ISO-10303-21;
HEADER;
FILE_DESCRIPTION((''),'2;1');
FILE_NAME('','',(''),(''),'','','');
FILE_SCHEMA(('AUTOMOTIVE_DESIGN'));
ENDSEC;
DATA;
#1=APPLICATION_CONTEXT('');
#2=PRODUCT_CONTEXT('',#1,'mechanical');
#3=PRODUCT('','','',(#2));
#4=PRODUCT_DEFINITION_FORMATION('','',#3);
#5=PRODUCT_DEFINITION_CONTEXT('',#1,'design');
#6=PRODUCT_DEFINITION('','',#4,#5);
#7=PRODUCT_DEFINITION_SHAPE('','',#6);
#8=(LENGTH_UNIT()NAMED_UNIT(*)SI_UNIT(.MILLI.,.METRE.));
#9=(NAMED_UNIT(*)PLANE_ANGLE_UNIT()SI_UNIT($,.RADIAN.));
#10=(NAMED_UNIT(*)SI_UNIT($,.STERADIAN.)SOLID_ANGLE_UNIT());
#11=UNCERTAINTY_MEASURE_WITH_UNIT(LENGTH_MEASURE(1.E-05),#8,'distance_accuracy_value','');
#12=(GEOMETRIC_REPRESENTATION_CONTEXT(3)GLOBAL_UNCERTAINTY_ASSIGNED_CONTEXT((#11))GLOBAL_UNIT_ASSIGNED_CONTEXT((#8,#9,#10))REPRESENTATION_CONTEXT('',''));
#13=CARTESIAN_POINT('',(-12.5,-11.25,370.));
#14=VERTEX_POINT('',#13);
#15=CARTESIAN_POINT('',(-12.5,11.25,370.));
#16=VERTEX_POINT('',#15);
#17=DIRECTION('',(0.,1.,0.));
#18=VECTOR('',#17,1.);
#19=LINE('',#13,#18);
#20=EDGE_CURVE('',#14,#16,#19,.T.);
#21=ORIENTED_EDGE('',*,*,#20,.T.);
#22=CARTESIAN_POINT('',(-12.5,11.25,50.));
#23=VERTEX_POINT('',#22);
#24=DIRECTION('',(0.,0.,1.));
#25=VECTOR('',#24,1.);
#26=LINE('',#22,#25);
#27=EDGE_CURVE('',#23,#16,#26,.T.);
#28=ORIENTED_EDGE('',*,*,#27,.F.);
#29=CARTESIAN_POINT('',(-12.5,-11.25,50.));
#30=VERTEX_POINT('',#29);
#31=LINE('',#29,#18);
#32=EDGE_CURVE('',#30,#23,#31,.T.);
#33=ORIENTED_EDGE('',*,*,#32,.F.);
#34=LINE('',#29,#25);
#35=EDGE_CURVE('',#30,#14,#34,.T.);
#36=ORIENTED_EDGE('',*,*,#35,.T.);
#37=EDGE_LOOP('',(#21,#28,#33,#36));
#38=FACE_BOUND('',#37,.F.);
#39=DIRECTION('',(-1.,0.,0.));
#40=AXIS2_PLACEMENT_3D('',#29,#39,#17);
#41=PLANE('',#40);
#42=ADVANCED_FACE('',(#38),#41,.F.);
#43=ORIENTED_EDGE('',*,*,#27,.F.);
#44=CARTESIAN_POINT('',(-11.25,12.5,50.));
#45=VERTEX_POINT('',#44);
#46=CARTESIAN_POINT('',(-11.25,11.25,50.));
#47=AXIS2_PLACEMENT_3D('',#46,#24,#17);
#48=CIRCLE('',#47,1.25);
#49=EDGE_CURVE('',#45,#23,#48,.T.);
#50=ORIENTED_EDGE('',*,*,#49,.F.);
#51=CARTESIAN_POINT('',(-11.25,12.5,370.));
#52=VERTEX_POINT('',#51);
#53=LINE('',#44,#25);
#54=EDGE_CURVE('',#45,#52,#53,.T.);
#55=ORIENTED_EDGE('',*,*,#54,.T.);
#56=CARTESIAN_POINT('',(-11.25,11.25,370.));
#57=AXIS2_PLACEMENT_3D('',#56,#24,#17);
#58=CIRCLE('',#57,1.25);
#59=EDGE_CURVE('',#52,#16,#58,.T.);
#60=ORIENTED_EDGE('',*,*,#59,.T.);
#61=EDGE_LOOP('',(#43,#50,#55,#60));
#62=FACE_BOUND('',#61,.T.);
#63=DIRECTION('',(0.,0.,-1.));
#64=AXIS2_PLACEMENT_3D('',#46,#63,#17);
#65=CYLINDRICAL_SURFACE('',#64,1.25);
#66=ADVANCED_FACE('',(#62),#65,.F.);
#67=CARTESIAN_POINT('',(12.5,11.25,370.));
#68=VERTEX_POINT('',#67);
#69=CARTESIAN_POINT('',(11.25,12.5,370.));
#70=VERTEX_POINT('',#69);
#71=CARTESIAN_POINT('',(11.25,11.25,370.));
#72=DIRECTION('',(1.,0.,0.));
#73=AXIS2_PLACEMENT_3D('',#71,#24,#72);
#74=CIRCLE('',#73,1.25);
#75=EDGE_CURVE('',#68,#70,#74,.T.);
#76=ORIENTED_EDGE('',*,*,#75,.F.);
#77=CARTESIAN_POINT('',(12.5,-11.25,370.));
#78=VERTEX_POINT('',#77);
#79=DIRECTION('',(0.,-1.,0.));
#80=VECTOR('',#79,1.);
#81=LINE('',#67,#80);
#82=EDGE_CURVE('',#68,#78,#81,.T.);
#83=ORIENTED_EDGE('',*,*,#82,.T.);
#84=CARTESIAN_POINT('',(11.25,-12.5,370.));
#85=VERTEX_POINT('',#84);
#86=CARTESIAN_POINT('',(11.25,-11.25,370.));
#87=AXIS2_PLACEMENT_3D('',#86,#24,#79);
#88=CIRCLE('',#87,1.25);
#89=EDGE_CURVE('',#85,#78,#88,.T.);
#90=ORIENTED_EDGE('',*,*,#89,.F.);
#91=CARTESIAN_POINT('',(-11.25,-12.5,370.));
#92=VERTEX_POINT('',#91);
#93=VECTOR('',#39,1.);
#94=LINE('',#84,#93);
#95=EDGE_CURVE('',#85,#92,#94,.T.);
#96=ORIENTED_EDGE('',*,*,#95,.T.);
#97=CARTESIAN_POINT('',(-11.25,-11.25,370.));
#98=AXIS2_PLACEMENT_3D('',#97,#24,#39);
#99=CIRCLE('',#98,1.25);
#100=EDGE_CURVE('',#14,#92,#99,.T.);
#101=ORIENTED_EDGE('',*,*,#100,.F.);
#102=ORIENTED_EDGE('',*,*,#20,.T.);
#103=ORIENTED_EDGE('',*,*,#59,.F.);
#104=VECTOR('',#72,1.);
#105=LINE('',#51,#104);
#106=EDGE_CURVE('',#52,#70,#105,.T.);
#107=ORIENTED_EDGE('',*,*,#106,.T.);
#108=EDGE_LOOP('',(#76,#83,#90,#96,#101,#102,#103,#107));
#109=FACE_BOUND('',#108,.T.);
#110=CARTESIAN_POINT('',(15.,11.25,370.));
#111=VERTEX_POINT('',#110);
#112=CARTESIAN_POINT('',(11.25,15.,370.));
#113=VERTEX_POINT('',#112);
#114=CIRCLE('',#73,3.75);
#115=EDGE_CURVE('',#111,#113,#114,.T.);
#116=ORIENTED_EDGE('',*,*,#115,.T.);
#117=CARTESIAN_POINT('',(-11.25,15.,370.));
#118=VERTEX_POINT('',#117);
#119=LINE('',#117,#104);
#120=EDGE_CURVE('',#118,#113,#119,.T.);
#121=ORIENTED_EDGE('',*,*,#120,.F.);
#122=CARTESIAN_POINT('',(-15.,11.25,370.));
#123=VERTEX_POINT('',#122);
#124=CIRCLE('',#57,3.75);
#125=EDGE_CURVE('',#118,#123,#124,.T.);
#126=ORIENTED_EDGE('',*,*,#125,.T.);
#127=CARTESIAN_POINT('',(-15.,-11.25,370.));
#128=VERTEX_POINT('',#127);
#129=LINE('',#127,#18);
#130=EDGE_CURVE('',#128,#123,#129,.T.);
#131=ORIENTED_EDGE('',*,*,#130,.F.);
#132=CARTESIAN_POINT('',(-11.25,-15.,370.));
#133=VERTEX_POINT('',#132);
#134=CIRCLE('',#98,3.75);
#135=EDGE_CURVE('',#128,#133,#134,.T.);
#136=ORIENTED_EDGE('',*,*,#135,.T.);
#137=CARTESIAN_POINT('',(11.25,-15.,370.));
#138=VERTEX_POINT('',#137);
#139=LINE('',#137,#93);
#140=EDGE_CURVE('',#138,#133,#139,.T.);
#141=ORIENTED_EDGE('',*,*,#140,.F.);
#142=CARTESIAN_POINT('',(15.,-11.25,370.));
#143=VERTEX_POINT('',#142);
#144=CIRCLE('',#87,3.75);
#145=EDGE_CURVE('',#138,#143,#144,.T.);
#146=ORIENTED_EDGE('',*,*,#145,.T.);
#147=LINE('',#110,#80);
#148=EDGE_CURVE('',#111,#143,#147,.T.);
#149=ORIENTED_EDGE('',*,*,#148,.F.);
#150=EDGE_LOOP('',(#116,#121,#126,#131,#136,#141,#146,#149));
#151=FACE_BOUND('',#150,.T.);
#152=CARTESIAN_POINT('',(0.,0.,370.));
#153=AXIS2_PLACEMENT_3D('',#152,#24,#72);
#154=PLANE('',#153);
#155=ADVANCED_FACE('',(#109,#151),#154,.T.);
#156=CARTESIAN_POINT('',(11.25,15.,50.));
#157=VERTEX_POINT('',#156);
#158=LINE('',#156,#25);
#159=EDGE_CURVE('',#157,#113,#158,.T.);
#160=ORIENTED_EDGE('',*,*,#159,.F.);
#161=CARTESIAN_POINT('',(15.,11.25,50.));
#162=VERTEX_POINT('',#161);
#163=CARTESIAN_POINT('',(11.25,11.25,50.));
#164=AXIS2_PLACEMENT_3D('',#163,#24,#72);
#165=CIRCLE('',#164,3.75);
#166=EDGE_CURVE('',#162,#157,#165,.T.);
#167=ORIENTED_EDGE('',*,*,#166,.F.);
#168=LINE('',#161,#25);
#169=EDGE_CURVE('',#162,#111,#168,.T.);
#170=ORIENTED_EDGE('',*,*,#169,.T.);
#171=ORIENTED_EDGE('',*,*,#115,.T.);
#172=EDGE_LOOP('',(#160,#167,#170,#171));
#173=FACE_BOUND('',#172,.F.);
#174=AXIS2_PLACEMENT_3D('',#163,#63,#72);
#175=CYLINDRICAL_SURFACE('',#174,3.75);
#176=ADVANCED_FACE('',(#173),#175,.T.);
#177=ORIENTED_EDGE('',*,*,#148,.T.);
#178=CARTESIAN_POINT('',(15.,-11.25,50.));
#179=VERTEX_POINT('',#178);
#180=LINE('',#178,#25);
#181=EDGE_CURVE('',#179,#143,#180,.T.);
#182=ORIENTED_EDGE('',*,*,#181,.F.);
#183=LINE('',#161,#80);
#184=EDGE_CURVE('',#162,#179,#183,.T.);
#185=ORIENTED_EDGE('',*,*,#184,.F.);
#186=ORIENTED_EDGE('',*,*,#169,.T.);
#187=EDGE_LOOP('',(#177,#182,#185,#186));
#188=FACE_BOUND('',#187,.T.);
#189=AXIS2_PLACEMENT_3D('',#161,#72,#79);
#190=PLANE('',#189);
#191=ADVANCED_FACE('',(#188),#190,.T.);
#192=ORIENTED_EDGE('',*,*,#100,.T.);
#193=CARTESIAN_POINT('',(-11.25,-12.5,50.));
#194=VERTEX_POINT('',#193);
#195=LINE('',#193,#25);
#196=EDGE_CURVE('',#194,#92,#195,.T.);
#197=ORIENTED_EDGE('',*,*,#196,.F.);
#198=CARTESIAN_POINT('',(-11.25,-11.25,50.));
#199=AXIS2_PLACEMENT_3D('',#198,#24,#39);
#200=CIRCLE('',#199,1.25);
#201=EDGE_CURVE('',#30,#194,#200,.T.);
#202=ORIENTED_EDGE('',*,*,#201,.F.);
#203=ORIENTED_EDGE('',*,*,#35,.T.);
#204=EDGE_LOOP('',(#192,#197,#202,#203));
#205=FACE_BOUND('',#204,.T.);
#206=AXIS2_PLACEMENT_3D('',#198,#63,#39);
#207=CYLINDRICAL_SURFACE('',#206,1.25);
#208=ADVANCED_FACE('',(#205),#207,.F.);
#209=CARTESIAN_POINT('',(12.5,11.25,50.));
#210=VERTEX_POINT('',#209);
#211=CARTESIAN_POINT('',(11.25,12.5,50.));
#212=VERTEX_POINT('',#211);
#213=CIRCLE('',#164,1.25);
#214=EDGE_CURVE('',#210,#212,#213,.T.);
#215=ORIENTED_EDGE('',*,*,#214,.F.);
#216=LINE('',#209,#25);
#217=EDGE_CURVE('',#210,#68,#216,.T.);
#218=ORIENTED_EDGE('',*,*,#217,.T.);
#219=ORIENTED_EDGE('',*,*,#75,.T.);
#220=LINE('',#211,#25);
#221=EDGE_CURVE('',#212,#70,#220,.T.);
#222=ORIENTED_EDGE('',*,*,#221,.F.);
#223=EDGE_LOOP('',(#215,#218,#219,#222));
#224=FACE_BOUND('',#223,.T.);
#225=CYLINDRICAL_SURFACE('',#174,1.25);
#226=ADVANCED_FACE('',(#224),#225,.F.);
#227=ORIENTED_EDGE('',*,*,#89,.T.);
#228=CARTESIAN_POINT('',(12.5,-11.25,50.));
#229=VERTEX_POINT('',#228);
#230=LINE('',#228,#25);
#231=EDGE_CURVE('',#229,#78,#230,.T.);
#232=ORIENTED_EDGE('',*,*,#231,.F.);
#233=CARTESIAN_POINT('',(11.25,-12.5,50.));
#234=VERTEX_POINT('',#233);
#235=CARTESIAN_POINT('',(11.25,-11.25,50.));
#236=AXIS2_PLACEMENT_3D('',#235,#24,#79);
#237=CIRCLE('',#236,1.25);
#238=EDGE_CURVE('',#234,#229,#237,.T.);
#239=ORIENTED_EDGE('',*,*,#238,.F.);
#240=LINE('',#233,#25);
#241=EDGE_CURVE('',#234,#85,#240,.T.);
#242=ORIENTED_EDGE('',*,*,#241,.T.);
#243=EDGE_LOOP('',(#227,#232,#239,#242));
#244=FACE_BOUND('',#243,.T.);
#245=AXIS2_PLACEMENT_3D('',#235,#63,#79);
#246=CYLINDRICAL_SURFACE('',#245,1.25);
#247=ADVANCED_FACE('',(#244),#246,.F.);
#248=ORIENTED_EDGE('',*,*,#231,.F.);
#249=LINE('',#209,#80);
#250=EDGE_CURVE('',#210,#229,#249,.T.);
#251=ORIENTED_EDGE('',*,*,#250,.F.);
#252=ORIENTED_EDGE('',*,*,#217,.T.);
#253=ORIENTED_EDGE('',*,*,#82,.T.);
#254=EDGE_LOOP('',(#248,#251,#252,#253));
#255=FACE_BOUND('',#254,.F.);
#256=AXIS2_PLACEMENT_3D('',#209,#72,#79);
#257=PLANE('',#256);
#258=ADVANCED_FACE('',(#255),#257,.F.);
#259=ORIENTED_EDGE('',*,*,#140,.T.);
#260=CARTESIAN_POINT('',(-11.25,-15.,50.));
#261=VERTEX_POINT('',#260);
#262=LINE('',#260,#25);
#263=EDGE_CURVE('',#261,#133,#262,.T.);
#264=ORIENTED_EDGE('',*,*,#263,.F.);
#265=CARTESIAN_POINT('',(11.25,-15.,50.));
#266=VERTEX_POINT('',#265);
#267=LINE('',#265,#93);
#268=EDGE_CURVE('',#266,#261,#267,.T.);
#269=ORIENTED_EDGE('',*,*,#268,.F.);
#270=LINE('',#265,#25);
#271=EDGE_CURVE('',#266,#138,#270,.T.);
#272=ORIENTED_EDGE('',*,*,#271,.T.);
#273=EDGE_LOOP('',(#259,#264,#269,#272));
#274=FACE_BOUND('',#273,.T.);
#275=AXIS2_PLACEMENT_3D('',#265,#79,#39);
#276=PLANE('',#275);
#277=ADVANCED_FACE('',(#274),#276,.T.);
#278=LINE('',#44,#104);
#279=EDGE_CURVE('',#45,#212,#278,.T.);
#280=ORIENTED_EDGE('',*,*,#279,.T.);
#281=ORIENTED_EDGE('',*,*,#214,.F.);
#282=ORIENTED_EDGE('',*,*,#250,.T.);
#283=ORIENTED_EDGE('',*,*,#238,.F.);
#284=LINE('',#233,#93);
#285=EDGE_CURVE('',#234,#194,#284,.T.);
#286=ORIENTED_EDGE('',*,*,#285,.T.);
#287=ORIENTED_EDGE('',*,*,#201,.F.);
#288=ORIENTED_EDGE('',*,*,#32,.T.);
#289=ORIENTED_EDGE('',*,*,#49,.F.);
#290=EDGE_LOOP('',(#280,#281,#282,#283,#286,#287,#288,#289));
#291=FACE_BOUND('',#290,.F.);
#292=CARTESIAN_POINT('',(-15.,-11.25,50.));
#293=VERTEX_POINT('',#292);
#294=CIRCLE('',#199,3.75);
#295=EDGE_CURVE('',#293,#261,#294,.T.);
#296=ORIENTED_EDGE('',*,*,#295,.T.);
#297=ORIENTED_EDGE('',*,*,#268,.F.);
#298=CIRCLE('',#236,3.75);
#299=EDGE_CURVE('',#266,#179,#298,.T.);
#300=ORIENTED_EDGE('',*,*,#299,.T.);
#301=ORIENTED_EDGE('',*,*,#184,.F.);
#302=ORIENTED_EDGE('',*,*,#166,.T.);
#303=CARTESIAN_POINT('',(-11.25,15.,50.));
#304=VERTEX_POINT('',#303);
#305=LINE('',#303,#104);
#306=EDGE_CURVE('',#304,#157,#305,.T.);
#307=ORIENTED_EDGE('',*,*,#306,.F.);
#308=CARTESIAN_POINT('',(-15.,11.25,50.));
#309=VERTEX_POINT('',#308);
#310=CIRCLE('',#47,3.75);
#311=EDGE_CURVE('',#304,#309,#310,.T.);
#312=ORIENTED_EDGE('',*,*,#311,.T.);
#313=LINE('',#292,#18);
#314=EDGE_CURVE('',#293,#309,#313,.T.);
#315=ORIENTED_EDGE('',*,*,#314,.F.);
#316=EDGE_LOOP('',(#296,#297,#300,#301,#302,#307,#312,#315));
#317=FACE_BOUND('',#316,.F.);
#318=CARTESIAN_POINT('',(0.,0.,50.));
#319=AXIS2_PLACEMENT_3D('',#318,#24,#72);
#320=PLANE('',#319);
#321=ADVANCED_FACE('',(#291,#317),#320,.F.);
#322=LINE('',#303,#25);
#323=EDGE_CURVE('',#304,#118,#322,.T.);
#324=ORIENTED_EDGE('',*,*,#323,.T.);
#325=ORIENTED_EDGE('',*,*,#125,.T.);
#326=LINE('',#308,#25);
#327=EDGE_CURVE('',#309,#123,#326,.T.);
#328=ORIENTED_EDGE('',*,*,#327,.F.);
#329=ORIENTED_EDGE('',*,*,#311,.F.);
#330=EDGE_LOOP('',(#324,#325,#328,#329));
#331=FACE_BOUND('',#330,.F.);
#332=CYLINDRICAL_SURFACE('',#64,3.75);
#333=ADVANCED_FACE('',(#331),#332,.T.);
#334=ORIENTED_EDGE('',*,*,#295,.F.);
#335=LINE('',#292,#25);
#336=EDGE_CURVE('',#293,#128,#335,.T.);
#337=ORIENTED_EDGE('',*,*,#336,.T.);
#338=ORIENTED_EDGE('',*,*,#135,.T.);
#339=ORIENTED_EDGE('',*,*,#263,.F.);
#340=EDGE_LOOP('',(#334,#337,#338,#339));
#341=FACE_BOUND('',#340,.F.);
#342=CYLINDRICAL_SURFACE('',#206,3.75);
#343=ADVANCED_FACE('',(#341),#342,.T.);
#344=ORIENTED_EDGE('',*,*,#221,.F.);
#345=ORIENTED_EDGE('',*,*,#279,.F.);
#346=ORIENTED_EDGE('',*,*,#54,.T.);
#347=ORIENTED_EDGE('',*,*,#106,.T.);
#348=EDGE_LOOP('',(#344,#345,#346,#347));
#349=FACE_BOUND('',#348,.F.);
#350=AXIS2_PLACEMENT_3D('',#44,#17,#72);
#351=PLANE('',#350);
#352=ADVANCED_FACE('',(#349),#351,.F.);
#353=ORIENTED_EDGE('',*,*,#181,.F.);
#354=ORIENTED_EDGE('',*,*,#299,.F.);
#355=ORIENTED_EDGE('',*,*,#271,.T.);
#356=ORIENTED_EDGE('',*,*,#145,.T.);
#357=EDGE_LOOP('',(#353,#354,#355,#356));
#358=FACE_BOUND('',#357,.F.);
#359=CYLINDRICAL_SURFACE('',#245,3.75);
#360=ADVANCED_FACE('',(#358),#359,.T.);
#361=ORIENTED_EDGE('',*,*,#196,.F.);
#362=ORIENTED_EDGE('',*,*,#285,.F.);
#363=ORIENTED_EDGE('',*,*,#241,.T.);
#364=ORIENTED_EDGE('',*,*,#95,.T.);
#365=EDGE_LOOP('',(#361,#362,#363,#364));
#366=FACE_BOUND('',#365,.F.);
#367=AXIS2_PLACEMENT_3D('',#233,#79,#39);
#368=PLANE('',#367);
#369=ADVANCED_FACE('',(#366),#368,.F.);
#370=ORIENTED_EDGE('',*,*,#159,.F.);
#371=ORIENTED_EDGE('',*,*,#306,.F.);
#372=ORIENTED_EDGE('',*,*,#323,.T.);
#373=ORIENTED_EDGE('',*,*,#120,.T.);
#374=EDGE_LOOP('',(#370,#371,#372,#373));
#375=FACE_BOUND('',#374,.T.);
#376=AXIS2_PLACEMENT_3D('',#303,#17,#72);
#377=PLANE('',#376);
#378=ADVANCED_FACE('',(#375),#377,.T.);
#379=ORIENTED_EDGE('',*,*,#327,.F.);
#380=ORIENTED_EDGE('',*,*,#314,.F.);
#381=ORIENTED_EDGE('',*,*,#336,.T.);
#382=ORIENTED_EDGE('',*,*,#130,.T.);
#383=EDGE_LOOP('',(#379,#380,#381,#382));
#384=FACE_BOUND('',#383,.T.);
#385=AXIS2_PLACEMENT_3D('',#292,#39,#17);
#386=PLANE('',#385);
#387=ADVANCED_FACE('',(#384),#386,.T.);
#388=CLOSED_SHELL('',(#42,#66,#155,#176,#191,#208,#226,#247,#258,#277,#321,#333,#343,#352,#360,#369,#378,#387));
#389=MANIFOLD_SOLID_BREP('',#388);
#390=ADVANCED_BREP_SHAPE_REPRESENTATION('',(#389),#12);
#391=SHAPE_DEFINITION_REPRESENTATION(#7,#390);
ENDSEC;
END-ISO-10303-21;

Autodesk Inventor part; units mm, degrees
ref_plane "Start plane" through (0, 0, 50) normal (0, 0, 1) x (1, 0, 0)
ref_plane "End plane" through (0, 0, 370) normal (0, 0, 1) x (1, 0, 0)
sketch "Sketch" plane through (0, 0, 0) normal (0, 0, 1) x (1, 0, 0)
  line L0 (-15, -11.25) -> (-15, 11.25)
  line L1 (-11.25, 15) -> (11.25, 15)
  line L2 (15, 11.25) -> (15, -11.25)
  line L3 (11.25, -15) -> (-11.25, -15)
  arc A0 (-15, -11.25) -> (-11.25, -15) centre (-11.25, -11.25) ccw
  arc A1 (-11.25, 15) -> (-15, 11.25) centre (-11.25, 11.25) ccw
  arc A2 (15, 11.25) -> (11.25, 15) centre (11.25, 11.25) ccw
  arc A3 (11.25, -15) -> (15, -11.25) centre (11.25, -11.25) ccw
  arc A4 (-11.25, 12.5) -> (-12.5, 11.25) centre (-11.25, 11.25) ccw
  line L4 (-11.25, 12.5) -> (11.25, 12.5)
  arc A5 (12.5, 11.25) -> (11.25, 12.5) centre (11.25, 11.25) ccw
  line L5 (12.5, 11.25) -> (12.5, -11.25)
  arc A6 (11.25, -12.5) -> (12.5, -11.25) centre (11.25, -11.25) ccw
  line L6 (11.25, -12.5) -> (-11.25, -12.5)
  arc A7 (-12.5, -11.25) -> (-11.25, -12.5) centre (-11.25, -11.25) ccw
  line L7 (-12.5, -11.25) -> (-12.5, 11.25)
  line L8 (0, 22.0873) -> (0, -22.0873) construction
  line L9 (-22.0873, 0) -> (22.0873, 0) construction
  dimension "d7" = 3.75
  dimension "d10" = 30
  dimension "d11" = 30
  dimension "d12" = 2.5
  dimension "d15" = 15
  dimension "d16" = 15
extrude "Body" add sketch "Sketch" along normal up to surface (320 mm away) from surface at 50
sketch "Sketch3" plane through (0, 0, 0) normal (0, 0, 1) x (1, 0, 0)
  line L0 (0, 0) -> (10, 0)
ref_plane "Work Plane3" through (0, 0, 0) normal (0, -1, 0) x (1, 0, 0)
sketch "Sketch4" plane through (0, 0, 0) normal (0, -1, 0) x (1, 0, 0)
  line L0 (-2, 50) -> (12, 50)
  line L1 (-2, 370) -> (12, 370)
  dimension "d18" = 320
ref_plane "Work Plane4" through (135, 9.2, 50) normal (0, 0, -1) x (-1, 0, 0)
split "Split1" plane through (135, 9.2, 50) removes the side toward (0, 0, -1)
ref_plane "Work Plane6" through (-515, -599.2, 50) normal (0, 0, -1) x (-1, 0, 0)
split "Split3" plane through (-515, -599.2, 50) removes the side toward (0, 0, -1)
ref_plane "Work Plane7" through (11.25, 15, 370) normal (0, 0, 1) x (1, 0, 0)
split "Split4" plane through (11.25, 15, 370) removes the side toward (0, 0, 1)
equation "\"d7\" = G_IR"
equation "\"d10\" = G_H"
equation "\"d11\" = G_W"
equation "\"d12\" = G_T"
equation "\"d15\" = 0.5 * d10"
equation "\"d16\" = 0.5 * d11"
equation "\"d3\" = G_L"
equation "\"G_W\" = 30"
equation "\"G_H\" = 30"
equation "\"G_T\" = 2.5"
equation "\"G_IR\" = 3.75"
equation "\"G_L\" = d18"
properties part number "DIN EN 10305-5 - 30 x 30 x 2,5  - 320" material "Steel, Mild"
